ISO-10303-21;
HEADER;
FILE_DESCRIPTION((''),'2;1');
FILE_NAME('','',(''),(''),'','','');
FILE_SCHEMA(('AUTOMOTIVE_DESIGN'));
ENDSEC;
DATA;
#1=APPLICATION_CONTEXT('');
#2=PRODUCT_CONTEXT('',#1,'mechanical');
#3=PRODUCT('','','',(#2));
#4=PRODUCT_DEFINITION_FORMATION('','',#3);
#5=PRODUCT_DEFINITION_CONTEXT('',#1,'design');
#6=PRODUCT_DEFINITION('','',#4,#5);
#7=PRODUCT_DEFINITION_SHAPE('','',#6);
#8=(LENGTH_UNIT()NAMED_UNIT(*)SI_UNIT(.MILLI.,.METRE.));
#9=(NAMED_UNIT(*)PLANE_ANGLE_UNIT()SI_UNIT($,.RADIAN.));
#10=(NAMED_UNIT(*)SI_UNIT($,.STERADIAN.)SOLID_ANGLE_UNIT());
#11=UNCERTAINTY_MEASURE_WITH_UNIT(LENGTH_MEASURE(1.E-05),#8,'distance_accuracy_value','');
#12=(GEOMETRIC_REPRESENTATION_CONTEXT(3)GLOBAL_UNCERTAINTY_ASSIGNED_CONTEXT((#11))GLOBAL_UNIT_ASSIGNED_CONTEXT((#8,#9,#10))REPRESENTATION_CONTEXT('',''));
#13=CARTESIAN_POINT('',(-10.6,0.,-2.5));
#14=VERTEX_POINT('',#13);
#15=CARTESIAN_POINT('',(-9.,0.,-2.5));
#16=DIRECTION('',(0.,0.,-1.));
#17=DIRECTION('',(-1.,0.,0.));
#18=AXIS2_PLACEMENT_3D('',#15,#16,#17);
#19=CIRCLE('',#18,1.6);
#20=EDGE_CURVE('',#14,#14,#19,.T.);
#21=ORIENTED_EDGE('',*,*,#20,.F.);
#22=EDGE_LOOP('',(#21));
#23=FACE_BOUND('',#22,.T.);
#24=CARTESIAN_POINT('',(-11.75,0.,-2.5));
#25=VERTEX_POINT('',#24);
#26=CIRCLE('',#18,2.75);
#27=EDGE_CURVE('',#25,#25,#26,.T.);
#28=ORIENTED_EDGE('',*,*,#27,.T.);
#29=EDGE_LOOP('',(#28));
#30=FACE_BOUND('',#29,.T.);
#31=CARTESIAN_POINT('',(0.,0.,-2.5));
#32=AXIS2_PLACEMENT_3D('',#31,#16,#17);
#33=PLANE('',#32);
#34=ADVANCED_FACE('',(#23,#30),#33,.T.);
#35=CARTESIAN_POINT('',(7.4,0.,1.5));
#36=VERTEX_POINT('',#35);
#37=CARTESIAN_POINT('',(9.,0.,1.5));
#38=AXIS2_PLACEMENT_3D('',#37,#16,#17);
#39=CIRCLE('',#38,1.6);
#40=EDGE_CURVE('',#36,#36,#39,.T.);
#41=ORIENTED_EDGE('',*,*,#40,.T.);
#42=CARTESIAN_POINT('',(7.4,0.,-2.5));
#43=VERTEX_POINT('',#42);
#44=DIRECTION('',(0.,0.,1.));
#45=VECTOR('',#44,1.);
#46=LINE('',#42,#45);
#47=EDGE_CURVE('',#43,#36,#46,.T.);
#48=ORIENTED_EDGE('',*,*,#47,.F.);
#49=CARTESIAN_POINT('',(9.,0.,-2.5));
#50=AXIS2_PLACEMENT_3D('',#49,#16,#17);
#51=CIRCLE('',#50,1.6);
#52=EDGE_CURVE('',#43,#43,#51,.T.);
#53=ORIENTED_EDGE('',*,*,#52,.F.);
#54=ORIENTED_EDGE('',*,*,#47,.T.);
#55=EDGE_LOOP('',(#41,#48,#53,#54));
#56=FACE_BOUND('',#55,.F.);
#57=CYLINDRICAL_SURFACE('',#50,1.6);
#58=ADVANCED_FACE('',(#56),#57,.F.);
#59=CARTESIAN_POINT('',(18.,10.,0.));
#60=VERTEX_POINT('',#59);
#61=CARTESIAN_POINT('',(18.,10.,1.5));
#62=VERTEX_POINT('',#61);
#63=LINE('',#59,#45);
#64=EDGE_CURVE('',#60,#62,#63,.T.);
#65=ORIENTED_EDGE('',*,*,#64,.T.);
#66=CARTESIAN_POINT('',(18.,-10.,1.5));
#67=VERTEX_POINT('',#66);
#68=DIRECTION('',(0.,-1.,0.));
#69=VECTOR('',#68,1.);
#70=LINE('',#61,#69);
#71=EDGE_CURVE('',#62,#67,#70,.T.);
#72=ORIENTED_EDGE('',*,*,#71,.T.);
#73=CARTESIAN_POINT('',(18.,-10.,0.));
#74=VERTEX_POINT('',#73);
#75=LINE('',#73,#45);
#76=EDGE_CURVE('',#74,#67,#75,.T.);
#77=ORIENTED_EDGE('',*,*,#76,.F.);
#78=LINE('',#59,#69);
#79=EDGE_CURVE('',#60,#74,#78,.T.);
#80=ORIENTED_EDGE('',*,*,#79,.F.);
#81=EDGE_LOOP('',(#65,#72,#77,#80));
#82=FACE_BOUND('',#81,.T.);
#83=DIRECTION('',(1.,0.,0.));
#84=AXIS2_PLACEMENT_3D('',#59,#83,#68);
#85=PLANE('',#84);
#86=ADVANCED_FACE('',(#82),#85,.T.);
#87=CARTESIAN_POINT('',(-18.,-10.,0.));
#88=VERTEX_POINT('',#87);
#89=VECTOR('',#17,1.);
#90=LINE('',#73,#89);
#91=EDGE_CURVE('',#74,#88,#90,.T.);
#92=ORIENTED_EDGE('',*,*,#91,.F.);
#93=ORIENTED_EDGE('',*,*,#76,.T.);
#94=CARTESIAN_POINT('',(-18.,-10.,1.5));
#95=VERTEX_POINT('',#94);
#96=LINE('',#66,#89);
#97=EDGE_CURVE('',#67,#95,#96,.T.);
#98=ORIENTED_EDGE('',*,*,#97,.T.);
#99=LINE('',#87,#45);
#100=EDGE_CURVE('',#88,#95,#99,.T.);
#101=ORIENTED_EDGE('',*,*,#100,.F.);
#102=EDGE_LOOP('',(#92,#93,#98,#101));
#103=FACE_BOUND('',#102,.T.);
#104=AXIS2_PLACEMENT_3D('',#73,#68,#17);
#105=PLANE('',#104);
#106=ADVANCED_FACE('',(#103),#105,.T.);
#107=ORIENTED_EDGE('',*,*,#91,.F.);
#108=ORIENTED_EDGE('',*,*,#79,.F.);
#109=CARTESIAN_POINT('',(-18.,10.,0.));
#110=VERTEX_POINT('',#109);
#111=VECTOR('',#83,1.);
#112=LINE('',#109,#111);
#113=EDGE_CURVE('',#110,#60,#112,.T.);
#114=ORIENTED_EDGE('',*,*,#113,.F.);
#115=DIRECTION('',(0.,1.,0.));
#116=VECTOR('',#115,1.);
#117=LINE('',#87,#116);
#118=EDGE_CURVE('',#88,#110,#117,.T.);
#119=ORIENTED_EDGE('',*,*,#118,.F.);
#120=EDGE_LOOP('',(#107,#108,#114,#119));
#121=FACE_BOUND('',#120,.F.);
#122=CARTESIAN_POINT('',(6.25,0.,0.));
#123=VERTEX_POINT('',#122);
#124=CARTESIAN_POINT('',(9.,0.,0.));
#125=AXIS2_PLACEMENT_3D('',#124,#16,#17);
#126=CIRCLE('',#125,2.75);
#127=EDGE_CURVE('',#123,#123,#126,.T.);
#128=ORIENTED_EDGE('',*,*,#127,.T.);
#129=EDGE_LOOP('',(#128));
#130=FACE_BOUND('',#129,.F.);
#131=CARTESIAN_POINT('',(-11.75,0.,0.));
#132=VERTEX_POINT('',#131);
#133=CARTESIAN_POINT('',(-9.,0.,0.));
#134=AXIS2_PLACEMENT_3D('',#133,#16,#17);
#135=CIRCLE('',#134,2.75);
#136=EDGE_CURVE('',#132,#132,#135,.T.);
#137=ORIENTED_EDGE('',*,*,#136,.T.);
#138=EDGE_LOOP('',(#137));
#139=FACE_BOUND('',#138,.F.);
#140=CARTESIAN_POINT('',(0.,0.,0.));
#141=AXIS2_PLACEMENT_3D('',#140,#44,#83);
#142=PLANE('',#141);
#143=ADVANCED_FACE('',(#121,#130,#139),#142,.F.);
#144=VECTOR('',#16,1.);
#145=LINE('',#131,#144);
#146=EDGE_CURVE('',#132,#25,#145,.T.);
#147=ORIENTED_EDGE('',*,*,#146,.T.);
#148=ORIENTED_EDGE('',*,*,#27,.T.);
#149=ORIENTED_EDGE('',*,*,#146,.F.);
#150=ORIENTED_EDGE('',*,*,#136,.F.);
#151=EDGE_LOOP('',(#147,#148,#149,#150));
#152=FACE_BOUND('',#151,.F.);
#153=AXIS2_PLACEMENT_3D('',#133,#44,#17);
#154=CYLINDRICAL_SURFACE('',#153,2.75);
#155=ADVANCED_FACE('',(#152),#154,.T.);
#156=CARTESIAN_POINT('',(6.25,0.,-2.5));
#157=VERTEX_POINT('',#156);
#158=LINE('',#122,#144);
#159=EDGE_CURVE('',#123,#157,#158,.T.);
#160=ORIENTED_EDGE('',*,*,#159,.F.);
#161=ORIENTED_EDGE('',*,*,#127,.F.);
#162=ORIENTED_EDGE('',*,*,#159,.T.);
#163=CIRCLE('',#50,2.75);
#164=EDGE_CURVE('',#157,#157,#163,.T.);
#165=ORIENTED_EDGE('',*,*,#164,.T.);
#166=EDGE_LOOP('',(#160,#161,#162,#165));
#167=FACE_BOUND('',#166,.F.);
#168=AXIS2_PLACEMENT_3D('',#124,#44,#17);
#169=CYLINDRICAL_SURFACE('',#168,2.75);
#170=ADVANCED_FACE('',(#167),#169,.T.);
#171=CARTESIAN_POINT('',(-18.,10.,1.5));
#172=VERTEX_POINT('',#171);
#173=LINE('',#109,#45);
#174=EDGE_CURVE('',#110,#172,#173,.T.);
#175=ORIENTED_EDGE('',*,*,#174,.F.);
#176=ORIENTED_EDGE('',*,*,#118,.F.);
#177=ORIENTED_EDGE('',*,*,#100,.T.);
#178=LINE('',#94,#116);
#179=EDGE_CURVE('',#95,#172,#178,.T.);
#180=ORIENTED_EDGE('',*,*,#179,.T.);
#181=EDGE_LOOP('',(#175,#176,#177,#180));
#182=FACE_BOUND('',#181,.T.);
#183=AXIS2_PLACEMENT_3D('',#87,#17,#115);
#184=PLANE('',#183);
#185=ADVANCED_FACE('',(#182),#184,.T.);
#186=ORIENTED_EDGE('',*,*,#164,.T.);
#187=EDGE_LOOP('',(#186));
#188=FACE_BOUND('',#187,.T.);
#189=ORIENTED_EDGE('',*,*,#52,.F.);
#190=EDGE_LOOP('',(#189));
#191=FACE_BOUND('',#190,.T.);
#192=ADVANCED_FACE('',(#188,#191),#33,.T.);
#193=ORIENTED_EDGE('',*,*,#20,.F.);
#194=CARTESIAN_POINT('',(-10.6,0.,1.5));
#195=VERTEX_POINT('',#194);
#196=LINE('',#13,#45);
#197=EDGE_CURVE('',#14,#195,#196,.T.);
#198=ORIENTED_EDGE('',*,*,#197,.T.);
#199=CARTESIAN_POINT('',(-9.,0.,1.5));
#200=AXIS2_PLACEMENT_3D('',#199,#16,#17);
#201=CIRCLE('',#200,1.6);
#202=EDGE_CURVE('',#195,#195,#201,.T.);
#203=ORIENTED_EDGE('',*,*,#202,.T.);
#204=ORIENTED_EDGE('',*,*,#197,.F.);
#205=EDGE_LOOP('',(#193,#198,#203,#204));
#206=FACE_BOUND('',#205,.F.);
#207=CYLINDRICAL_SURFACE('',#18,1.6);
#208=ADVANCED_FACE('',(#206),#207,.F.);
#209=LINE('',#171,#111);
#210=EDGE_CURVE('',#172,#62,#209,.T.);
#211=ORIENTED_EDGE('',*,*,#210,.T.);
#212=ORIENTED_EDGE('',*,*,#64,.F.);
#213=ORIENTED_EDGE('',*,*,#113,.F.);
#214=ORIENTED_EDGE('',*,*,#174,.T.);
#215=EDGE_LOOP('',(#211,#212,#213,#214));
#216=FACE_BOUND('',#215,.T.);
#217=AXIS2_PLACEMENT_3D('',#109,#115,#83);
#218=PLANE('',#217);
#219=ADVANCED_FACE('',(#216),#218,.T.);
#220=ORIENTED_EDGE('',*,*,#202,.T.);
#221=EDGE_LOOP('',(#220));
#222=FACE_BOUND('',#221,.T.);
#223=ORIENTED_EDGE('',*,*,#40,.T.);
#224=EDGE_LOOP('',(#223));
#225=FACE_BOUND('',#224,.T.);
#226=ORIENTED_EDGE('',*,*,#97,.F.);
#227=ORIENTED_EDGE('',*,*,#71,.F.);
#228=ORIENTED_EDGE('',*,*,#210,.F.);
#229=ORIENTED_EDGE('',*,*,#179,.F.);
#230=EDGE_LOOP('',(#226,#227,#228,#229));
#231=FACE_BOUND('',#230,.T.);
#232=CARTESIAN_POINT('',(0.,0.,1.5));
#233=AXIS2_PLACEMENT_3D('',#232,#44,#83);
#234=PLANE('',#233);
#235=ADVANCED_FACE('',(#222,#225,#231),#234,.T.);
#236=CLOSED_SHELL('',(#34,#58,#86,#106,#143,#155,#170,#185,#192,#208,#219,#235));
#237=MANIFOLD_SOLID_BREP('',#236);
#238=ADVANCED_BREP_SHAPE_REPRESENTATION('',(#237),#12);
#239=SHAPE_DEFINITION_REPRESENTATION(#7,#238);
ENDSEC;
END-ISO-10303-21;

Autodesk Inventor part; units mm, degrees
ref_plane "YZ Plane" through (0, 0, 0) normal (1, 0, 0) x (0, 1, 0)
ref_plane "XZ Plane" through (0, 0, 0) normal (0, 1, 0) x (-1, 0, 0)
ref_plane "XY Plane" through (0, 0, 0) normal (0, 0, 1) x (1, 0, 0)
sketch "スケッチ1" plane through (0, 0, 0) normal (0, 0, 1) x (1, 0, 0)
  line L0 (-18, 10) -> (18, 10)
  line L1 (18, 10) -> (18, -10)
  line L2 (18, -10) -> (-18, -10)
  line L3 (-18, -10) -> (-18, 10)
  point P0 (0, 0)
  point P1 (0, 10)
  point P2 (-18, 0)
  dimension "d0" = 36
  dimension "d1" = 20
extrude "押し出し1" add sketch "スケッチ1" along normal blind 1.5
sketch "スケッチ2" plane through (0, 0, 0) normal (0, 0, -1) x (-1, 0, 0)
  circle A0 centre (-9, 0) radius 2.75
  circle A1 centre (9, 0) radius 2.75
  line L0 (0, -50.45) -> (0, 52.45) projected
  line L1 (-18, 10) -> (18, 10) projected
  point P0 (0, 0)
  dimension "d4" = 5.5
  dimension "d5" = 9
  dimension "d6" = 10
extrude "押し出し2" add sketch "スケッチ2" along normal blind 2.5
sketch "スケッチ3" plane through (-9, 0, -2.5) normal (0, 0, -1) x (-1, 0, 0)
  circle A0 centre (0, 0) radius 2.75 construction
  circle A1 centre (-18, 0) radius 2.75 construction
  circle A2 centre (0, 0) radius 1.6
  circle A3 centre (-18, 0) radius 1.6
  line L0 (-9, -85.52) -> (-9, 25.92) projected
  point P0 (-9, 0)
  dimension "d16" = 3.2
  dimension "d17" = 3.2
extrude "押し出し3" cut sketch "スケッチ3" against normal through all
properties part number "belt_fix"
